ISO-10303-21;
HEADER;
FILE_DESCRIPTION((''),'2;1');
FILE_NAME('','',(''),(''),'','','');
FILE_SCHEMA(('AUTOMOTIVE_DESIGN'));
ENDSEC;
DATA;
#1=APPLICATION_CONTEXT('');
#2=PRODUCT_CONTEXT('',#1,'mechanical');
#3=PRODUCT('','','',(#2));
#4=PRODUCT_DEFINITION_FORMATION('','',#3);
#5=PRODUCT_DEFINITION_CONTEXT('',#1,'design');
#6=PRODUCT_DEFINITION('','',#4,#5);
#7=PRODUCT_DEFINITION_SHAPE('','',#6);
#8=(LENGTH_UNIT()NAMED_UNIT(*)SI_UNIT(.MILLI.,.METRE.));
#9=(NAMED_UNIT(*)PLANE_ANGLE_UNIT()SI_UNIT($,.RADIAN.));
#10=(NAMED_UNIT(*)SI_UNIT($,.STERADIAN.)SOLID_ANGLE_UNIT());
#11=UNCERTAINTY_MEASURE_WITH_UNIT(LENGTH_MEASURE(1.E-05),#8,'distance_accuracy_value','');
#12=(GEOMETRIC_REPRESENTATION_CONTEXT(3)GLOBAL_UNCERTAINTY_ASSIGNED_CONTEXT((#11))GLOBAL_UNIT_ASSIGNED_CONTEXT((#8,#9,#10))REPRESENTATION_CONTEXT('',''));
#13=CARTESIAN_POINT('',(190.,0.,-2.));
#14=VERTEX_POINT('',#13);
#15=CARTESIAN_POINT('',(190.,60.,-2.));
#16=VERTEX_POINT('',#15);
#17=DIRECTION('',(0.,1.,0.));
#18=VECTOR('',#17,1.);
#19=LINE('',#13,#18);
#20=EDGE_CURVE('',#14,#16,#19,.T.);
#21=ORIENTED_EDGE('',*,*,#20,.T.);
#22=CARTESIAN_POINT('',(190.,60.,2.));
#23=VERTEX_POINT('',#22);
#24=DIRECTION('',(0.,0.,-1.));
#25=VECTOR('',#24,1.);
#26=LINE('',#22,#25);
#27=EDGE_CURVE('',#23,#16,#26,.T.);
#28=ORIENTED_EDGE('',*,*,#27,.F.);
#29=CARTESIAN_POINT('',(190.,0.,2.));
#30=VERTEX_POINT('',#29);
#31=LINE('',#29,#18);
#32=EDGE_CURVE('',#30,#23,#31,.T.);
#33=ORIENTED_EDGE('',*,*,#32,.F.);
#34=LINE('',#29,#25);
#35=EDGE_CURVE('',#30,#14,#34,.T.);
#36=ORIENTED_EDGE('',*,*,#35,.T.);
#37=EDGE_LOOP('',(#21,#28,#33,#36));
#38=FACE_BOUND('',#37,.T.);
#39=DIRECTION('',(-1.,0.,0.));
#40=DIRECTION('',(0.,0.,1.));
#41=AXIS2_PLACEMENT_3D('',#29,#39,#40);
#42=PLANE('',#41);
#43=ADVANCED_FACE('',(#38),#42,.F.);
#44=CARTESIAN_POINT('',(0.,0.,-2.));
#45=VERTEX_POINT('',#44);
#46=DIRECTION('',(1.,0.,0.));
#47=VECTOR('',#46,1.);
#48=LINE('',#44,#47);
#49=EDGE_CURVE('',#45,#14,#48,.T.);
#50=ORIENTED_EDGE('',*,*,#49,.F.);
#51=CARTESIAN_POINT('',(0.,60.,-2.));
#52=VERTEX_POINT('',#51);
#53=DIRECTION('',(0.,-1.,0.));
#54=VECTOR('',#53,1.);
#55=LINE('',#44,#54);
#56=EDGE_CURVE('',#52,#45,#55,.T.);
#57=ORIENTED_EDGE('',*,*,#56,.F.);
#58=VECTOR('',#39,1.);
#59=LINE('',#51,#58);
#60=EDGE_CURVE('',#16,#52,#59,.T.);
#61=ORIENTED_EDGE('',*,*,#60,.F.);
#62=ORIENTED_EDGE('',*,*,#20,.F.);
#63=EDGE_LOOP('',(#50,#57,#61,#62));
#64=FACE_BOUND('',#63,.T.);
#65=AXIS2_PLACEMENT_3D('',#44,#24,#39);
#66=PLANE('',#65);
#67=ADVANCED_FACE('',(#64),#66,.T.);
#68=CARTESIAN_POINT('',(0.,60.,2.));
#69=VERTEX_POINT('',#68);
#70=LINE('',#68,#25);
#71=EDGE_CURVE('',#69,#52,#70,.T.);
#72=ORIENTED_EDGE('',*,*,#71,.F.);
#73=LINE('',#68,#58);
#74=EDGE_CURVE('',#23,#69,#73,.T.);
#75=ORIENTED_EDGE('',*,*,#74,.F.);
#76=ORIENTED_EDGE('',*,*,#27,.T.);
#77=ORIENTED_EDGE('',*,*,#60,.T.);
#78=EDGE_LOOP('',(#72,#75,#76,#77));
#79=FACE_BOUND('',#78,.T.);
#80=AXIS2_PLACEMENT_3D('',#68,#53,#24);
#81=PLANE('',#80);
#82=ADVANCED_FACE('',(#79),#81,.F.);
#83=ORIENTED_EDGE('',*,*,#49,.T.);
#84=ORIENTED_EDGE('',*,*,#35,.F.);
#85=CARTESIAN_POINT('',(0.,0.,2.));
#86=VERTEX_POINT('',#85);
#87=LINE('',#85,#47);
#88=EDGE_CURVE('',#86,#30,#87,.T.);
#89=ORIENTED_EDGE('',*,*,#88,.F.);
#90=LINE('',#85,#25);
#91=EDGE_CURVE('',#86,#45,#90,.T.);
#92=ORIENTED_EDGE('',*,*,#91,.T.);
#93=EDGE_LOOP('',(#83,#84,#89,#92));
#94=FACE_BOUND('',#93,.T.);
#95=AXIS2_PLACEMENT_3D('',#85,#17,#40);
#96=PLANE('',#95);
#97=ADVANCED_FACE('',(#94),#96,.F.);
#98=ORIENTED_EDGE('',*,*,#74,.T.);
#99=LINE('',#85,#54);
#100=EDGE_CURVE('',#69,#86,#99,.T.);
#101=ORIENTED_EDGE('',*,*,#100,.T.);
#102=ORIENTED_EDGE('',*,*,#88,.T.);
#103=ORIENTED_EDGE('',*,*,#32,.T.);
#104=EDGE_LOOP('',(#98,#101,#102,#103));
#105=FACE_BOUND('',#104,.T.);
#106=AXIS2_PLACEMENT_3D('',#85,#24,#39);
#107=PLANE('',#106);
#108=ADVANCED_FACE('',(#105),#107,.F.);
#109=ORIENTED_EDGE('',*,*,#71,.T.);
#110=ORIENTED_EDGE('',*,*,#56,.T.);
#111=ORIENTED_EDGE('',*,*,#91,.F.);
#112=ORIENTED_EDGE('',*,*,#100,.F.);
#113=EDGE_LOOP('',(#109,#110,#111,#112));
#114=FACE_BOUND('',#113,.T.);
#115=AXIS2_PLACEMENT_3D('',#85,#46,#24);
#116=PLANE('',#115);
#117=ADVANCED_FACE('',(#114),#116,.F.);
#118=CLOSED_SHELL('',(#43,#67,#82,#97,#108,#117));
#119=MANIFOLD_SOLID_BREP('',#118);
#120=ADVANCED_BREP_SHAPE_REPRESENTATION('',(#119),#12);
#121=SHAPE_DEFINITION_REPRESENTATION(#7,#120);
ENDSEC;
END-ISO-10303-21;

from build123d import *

# Parameters (mm, degrees)
CROQUIS1_W              = 190
CROQUIS1_H              = 60
SALIENTE_EXTRUIR1_DEPTH = 2


with BuildPart() as part:
    # Croquis1 → Saliente-Extruir1 (new, symmetric)
    with BuildSketch(Plane.XY):
        with Locations((95, 30)):
            Rectangle(CROQUIS1_W, CROQUIS1_H)
    extrude(amount=SALIENTE_EXTRUIR1_DEPTH, both=True)


solid = part.part
